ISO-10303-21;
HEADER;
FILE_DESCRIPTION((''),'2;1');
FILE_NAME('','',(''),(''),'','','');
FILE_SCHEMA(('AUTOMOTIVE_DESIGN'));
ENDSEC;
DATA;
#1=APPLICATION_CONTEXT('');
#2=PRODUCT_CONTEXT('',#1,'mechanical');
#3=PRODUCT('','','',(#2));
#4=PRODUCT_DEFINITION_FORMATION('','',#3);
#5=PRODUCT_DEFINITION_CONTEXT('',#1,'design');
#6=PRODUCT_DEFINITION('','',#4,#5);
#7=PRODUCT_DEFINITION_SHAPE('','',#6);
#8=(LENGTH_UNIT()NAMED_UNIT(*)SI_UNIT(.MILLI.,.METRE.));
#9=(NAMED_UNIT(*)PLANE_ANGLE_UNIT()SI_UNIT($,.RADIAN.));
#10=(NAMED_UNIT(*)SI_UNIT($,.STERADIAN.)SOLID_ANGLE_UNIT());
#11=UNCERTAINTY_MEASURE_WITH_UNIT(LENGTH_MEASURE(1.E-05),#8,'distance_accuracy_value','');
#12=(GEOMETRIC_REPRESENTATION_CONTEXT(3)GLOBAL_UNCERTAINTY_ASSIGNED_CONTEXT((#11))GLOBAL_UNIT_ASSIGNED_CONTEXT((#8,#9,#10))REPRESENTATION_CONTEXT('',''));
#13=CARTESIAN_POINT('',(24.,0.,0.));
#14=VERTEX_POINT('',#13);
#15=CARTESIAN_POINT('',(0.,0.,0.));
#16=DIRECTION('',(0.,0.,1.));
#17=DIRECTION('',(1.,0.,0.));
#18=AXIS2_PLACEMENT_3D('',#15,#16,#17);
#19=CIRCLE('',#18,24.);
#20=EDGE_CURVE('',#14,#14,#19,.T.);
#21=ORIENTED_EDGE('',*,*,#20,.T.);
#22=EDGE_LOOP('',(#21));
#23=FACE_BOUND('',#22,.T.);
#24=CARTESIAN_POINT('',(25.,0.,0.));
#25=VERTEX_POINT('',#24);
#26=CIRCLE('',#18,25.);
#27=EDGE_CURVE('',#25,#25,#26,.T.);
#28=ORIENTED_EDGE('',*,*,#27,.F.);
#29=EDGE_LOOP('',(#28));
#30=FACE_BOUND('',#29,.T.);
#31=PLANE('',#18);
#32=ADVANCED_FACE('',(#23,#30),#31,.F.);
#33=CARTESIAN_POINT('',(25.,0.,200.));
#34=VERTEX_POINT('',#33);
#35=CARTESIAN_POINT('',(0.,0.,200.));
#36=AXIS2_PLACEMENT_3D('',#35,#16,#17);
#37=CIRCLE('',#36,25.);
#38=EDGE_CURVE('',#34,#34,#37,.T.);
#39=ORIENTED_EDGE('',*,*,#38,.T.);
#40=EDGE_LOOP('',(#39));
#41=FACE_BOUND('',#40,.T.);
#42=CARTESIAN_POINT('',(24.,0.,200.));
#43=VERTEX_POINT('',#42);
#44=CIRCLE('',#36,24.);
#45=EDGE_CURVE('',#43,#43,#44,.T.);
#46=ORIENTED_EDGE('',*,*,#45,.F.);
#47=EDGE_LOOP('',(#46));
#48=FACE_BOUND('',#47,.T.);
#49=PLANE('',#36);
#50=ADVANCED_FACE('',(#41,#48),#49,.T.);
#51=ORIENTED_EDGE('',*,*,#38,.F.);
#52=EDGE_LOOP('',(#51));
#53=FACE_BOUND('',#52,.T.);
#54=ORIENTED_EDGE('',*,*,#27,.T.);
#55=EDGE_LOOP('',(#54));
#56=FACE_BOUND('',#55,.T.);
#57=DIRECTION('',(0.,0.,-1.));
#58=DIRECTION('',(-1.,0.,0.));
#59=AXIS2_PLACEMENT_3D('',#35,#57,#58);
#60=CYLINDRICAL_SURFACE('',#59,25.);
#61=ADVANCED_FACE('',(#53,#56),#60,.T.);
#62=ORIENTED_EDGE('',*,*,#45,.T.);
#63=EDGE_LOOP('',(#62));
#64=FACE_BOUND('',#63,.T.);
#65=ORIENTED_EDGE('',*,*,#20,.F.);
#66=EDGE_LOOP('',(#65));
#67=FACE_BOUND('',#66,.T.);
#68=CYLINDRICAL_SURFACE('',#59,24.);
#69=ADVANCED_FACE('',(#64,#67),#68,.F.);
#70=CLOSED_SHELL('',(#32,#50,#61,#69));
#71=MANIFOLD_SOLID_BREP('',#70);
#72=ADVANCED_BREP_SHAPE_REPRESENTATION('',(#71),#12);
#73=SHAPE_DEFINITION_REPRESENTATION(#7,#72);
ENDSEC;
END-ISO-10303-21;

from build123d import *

# Parameters (mm, degrees)
ESQUISSE1_R        = 25
ESQUISSE1_R_2      = 24
EXTRU_MINCE1_DEPTH = 200


with BuildPart() as part:
    # Esquisse1 → Extru.-Mince1 (new body)
    with BuildSketch(Plane.XY):
        Circle(ESQUISSE1_R)
        Circle(ESQUISSE1_R_2, mode=Mode.SUBTRACT)
    extrude(amount=EXTRU_MINCE1_DEPTH)


solid = part.part
